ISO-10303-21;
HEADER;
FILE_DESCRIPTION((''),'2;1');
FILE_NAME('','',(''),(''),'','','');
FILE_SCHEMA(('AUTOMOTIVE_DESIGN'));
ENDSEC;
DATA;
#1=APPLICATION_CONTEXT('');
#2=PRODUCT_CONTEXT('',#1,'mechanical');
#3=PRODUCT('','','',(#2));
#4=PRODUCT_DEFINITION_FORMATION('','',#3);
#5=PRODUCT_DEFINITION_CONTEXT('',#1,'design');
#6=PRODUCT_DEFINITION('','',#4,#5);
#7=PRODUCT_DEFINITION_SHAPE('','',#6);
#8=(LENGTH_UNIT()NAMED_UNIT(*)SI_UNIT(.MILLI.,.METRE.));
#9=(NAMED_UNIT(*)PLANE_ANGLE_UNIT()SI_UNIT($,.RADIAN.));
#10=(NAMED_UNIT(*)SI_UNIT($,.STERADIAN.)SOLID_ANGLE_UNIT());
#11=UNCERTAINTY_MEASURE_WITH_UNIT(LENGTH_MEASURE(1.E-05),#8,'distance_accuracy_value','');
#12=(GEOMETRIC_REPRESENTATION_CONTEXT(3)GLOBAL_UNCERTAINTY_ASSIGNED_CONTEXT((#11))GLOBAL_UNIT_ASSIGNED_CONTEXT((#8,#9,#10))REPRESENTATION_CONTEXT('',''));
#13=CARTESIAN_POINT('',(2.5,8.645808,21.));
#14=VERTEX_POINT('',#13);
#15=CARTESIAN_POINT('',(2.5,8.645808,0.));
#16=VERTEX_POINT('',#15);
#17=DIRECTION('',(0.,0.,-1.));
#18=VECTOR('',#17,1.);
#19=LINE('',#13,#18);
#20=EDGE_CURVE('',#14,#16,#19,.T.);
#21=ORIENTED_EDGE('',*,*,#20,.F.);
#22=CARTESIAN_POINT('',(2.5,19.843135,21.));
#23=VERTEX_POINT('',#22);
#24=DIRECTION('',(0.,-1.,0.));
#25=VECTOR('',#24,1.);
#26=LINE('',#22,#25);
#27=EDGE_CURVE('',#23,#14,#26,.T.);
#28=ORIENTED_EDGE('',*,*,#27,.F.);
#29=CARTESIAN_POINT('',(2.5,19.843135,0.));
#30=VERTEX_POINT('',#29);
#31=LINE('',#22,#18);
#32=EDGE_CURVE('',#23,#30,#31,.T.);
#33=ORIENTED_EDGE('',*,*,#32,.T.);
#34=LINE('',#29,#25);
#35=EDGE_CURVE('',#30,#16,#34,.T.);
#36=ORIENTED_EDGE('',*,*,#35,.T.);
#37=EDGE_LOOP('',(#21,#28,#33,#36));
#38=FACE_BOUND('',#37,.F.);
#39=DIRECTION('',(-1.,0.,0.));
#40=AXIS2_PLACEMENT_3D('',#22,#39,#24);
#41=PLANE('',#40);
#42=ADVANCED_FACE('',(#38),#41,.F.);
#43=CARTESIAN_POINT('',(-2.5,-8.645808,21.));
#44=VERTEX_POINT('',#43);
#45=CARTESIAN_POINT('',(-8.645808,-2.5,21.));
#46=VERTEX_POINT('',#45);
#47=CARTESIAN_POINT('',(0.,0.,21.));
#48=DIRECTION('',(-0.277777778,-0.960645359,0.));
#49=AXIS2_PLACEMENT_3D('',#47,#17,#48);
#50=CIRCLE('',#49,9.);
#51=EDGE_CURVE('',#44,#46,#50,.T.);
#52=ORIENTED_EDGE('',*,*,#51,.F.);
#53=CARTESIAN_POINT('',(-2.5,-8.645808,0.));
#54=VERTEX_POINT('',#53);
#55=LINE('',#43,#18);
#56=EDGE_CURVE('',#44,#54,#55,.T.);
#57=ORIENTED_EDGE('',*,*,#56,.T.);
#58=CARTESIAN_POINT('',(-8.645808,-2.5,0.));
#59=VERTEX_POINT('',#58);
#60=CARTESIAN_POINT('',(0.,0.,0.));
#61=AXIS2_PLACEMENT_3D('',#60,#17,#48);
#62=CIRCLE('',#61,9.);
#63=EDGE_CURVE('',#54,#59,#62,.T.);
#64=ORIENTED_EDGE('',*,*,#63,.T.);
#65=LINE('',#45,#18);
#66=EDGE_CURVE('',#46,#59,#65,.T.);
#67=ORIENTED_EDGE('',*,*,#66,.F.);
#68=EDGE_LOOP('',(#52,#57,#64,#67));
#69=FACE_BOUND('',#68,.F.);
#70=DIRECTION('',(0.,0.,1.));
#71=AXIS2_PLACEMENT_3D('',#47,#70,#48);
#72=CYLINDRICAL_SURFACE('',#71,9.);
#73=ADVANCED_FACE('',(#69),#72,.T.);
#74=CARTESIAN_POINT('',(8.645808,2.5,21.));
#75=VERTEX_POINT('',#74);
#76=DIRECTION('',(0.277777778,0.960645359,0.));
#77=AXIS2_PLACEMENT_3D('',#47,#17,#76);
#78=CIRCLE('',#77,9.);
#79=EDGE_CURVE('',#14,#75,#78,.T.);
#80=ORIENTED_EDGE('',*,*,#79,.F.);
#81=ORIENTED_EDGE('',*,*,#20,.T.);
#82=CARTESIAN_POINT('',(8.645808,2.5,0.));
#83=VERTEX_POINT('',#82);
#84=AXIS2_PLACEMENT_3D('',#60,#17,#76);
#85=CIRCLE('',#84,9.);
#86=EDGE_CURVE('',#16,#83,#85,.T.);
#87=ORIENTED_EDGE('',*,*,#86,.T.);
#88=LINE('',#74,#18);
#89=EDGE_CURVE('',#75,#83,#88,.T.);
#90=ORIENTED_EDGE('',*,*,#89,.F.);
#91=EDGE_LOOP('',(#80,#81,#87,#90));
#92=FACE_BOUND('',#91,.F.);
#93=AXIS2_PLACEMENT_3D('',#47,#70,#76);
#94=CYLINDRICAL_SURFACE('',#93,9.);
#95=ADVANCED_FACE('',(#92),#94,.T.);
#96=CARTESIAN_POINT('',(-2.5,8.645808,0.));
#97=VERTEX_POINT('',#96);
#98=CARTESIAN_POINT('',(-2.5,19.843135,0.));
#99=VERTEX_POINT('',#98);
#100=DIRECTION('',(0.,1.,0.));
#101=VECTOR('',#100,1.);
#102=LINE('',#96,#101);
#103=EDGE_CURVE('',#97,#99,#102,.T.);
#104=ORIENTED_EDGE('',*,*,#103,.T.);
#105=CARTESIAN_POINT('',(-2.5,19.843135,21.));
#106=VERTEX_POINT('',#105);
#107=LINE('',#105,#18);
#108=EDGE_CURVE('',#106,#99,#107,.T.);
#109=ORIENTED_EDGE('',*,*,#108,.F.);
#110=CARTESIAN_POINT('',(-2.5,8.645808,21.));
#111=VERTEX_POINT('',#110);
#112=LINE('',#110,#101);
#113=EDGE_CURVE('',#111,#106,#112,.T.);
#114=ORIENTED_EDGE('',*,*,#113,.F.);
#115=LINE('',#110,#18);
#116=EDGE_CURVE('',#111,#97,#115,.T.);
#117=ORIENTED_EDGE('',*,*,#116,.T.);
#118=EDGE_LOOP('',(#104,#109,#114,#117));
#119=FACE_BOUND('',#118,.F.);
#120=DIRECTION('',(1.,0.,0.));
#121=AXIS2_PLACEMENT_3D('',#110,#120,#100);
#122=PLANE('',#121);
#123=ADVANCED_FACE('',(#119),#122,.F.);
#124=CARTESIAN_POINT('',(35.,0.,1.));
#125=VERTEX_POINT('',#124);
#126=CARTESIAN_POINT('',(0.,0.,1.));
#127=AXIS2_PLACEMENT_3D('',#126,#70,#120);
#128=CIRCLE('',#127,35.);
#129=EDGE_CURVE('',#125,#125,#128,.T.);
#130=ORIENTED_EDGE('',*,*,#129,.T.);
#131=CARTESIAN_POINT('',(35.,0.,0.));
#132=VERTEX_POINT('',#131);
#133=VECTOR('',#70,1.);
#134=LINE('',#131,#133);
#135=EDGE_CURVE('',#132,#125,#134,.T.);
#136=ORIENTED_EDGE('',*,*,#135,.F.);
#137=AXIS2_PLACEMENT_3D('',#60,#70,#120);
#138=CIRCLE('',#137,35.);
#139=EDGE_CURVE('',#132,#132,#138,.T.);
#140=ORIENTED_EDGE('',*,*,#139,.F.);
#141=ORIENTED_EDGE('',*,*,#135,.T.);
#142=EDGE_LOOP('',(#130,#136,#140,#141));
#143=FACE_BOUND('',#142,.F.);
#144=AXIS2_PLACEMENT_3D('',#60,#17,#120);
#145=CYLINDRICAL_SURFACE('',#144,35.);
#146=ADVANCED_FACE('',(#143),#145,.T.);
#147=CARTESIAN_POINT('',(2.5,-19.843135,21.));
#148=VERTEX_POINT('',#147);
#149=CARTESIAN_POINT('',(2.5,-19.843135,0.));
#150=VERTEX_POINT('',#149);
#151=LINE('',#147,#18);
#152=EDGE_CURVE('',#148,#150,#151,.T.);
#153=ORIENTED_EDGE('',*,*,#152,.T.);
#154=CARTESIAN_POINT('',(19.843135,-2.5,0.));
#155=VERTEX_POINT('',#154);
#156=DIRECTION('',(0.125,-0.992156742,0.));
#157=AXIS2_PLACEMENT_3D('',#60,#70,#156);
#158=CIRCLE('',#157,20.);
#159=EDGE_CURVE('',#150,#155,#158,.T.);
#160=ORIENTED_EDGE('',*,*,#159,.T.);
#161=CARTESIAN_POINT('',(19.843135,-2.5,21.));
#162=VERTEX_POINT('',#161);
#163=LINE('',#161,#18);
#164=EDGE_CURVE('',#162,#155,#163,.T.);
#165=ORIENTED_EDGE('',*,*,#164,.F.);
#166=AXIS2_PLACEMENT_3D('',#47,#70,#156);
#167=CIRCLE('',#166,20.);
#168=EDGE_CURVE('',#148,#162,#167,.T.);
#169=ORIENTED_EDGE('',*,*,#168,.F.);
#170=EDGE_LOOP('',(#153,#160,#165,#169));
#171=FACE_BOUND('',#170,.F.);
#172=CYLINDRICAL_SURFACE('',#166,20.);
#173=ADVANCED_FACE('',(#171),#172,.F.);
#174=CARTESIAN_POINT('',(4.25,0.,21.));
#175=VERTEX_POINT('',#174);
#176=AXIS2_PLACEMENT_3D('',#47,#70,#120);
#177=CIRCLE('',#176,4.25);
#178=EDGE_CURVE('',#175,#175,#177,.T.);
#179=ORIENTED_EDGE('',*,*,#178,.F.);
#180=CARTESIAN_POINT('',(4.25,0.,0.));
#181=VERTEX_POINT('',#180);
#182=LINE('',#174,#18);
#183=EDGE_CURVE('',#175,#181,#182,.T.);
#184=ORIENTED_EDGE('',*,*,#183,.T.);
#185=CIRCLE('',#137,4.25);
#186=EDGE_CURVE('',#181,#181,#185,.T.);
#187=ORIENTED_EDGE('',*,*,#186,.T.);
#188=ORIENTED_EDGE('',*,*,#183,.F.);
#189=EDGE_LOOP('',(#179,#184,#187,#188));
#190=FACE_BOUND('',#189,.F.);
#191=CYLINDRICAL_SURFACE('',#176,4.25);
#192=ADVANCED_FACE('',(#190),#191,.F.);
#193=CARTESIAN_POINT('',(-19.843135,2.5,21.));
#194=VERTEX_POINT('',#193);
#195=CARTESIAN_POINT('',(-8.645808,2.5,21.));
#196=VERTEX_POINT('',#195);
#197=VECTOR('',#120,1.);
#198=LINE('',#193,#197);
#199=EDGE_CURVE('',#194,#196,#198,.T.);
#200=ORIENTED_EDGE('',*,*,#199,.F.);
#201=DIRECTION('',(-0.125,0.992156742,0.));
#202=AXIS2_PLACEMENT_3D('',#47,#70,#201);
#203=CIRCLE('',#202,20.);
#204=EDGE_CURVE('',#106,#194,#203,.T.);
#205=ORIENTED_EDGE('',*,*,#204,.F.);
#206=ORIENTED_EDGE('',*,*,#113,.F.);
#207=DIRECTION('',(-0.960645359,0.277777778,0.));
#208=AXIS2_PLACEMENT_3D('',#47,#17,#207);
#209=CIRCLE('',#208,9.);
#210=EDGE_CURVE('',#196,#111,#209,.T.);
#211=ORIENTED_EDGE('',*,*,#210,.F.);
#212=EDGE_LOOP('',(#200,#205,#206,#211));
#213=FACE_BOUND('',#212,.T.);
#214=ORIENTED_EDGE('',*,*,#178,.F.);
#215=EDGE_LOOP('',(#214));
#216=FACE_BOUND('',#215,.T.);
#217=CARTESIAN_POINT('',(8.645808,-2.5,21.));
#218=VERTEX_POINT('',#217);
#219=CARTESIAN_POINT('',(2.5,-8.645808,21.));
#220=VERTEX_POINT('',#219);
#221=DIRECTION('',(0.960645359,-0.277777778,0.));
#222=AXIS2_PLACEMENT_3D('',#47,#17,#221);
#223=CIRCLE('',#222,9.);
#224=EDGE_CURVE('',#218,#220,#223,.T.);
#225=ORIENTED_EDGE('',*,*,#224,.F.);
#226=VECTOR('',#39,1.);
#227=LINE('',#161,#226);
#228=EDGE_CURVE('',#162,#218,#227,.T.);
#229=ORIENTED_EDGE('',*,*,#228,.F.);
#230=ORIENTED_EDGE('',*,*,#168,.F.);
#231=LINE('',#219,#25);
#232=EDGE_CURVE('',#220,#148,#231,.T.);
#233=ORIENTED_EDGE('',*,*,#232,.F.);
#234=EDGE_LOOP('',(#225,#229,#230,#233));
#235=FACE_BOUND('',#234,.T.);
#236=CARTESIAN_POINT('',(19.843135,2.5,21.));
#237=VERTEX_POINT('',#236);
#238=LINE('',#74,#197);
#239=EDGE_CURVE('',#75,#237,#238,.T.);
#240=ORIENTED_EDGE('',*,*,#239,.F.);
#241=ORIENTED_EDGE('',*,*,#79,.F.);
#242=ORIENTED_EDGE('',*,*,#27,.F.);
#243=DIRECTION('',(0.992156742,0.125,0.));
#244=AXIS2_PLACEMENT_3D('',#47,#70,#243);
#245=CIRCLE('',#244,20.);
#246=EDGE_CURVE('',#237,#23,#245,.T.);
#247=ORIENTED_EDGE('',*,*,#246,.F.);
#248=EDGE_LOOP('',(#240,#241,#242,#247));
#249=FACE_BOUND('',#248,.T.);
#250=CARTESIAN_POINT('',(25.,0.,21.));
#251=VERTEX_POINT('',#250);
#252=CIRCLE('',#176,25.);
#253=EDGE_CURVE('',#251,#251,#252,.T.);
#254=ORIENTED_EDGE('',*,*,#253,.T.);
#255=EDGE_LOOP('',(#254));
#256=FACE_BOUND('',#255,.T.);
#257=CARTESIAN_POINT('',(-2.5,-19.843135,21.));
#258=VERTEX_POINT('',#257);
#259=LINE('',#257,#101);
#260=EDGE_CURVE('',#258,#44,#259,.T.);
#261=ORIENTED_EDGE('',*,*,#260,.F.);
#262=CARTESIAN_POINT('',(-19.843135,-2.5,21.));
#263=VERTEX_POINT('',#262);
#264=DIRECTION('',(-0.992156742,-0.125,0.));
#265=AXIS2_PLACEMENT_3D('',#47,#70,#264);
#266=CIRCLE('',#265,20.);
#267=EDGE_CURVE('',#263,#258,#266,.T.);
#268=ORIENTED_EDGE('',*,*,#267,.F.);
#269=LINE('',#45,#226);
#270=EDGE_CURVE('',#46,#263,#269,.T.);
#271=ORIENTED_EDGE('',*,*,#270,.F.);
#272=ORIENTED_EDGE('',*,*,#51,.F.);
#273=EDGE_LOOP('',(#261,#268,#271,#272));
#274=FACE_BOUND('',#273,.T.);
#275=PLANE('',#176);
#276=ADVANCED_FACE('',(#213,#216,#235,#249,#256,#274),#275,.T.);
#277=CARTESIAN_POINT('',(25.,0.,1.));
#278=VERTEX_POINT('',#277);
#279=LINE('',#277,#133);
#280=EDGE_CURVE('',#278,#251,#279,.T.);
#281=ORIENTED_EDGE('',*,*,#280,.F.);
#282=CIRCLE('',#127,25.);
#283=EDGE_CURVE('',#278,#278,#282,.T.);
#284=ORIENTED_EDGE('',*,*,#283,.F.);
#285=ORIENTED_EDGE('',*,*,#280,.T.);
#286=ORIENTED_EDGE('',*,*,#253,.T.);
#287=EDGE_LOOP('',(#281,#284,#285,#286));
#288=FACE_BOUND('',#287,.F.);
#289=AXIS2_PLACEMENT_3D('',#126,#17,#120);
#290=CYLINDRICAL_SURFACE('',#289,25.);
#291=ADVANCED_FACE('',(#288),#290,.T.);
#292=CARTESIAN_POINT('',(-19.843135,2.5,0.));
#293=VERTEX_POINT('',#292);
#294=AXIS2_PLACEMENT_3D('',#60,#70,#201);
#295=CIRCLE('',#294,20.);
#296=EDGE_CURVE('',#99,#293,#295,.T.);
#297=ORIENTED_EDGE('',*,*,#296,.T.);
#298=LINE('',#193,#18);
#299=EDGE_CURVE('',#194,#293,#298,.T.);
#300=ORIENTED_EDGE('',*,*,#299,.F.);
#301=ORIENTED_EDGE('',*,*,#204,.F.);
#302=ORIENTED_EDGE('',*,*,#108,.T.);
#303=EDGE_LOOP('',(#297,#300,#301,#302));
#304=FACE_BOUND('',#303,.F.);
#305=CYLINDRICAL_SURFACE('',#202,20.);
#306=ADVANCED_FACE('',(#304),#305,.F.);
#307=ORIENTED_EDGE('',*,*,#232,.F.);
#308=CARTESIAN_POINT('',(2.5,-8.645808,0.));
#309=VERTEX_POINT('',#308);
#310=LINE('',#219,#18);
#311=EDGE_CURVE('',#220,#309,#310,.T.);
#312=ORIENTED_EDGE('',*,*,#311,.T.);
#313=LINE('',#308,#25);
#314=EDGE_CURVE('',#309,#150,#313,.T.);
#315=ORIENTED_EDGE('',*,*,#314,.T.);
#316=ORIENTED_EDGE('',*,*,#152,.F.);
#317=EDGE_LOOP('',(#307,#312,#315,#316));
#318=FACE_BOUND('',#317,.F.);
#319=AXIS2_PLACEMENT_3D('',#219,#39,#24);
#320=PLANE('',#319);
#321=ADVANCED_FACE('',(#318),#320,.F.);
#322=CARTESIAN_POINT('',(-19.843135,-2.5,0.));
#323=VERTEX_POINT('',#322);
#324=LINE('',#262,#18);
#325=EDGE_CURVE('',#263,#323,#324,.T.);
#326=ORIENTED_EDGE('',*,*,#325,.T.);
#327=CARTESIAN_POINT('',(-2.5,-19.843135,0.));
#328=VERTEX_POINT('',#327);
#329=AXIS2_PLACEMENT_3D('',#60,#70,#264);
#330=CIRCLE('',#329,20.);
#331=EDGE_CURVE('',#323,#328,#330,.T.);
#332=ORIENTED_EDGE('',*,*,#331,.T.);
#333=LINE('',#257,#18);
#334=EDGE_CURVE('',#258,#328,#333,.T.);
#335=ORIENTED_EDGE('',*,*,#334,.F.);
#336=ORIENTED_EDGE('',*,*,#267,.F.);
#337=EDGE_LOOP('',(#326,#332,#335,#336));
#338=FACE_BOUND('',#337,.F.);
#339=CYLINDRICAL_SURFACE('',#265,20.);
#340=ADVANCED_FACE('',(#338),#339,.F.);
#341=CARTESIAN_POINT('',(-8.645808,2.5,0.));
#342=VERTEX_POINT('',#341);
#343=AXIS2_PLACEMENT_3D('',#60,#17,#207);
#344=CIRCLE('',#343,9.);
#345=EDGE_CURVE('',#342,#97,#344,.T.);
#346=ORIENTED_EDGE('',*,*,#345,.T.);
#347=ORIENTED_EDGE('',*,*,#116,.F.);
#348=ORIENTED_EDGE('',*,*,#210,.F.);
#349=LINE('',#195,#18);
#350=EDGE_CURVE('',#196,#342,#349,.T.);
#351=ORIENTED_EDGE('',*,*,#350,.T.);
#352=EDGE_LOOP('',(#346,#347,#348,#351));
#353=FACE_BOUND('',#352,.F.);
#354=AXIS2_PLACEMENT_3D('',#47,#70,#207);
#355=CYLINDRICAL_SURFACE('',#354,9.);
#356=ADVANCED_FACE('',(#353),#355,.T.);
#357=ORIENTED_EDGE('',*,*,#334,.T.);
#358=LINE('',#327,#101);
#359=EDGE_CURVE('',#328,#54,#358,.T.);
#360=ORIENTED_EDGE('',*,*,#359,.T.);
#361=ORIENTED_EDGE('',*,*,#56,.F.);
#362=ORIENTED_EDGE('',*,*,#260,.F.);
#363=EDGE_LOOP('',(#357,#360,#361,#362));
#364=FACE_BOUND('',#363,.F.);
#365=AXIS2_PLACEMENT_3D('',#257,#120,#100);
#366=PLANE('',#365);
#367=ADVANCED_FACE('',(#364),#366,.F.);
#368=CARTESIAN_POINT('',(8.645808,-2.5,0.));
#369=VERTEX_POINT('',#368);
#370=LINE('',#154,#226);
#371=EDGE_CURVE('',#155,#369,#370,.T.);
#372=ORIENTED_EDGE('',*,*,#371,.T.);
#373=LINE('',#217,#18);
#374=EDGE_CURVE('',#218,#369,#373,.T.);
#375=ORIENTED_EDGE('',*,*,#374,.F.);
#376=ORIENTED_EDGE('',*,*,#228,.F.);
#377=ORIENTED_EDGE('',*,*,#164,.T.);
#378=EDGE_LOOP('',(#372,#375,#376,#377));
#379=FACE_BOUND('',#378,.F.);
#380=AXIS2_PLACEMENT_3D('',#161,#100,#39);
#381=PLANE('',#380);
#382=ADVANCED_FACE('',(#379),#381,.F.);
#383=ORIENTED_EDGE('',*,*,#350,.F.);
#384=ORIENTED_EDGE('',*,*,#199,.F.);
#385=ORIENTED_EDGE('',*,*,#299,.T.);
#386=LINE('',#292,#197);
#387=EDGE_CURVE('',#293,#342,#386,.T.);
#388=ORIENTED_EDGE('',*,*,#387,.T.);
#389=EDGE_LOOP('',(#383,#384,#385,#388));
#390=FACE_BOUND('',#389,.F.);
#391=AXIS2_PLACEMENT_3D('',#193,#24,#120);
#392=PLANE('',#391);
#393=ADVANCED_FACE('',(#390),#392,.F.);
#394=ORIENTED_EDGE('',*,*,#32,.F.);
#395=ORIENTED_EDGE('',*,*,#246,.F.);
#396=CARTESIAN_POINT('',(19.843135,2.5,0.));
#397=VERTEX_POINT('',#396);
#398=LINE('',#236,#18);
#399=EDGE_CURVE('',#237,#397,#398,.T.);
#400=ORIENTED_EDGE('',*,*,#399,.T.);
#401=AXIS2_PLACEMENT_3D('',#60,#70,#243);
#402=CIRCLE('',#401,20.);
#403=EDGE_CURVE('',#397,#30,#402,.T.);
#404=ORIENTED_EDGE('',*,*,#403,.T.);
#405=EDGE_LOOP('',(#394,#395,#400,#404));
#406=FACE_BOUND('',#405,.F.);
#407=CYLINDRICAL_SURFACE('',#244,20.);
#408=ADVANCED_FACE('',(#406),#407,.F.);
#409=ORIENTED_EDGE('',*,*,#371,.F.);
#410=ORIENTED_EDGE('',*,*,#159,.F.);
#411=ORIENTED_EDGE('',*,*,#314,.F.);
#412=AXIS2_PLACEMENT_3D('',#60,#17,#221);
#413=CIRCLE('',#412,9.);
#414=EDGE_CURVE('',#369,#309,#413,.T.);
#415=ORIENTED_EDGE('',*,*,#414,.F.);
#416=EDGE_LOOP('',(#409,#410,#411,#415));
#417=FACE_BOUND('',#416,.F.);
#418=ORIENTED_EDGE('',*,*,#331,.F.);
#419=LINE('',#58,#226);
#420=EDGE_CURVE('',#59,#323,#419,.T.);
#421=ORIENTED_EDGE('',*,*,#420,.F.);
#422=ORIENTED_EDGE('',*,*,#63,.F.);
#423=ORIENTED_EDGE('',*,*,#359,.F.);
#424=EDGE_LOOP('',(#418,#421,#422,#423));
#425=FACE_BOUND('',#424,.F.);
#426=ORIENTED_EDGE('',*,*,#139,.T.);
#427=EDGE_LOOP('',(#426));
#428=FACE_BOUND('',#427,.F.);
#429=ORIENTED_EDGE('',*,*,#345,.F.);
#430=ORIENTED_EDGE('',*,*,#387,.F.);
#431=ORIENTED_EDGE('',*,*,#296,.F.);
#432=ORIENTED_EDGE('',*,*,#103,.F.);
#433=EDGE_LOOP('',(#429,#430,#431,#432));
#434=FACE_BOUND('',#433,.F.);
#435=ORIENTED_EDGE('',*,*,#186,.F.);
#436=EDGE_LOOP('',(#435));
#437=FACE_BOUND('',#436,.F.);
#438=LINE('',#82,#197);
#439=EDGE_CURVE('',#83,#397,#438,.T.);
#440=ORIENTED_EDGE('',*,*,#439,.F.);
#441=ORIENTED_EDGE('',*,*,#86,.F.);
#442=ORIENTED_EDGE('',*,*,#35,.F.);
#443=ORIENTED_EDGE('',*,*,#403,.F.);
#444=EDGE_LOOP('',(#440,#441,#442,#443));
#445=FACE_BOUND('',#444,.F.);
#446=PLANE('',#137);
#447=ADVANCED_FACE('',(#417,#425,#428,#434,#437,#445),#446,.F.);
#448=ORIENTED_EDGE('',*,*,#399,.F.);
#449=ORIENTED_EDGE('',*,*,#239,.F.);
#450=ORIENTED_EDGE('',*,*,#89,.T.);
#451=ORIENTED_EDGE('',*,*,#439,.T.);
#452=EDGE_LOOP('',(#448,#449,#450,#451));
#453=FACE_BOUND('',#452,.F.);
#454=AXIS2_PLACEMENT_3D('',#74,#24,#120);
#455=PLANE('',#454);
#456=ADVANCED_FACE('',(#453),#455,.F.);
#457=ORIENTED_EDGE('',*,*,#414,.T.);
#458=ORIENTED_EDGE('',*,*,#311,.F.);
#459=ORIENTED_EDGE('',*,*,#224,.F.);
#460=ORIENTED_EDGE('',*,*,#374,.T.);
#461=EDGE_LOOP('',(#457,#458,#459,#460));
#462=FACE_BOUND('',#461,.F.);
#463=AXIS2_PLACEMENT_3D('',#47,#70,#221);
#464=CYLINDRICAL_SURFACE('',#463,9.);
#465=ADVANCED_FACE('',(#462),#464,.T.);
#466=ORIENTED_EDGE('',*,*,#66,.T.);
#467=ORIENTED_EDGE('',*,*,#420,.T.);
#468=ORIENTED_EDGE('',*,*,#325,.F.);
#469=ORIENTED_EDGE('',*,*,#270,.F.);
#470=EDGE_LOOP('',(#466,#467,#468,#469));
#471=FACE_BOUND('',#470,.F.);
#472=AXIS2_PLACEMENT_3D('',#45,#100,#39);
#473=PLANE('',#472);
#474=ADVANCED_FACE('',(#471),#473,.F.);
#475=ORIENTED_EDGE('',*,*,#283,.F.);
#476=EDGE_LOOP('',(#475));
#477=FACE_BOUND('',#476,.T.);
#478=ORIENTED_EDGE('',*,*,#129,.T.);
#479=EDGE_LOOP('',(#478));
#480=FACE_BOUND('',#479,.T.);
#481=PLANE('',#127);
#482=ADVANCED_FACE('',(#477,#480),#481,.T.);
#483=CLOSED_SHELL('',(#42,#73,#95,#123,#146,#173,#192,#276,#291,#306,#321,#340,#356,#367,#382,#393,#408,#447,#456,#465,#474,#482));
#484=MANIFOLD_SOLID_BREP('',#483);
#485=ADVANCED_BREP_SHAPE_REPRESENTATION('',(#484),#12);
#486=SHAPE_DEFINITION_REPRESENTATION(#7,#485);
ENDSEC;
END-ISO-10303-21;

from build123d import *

# Parameters (mm, degrees)
F0_R     = 35
F1_DEPTH = 1
F2_R     = 25
F3_DEPTH = 20
F4_R     = 4.25
F5_DEPTH = 21


with BuildPart() as f1:
    # F0 (on Top) → F1 (new body)
    with BuildSketch(Plane.XY):
        Circle(F0_R)
    extrude(amount=F1_DEPTH)

    # F2 (on face) → F3 (join)
    with BuildSketch(Plane.XY.offset(1)):
        Circle(F2_R)
    extrude(amount=F3_DEPTH)

    # F4 (on face) → F5 (cut, through all)
    with BuildSketch(Plane.XY.offset(21)):
        with BuildLine():
            ThreePointArc((-19.843134833, -2.5), (-14.1421356237, -14.1421356237), (-2.5, -19.843134833))
            Line((-2.5, -19.843134833), (-2.5, -8.6458082329))
            ThreePointArc((-2.5, -8.6458082329), (-6.3639610307, -6.3639610307), (-8.6458082329, -2.5))
            Line((-8.6458082329, -2.5), (-19.843134833, -2.5))
        make_face()
        with BuildLine():
            Line((-2.5, 8.6458082329), (-2.5, 19.843134833))
            ThreePointArc((-2.5, 19.843134833), (-14.1421356237, 14.1421356237), (-19.843134833, 2.5))
            Line((-19.843134833, 2.5), (-8.6458082329, 2.5))
            ThreePointArc((-8.6458082329, 2.5), (-6.3639610307, 6.3639610307), (-2.5, 8.6458082329))
        make_face()
        with BuildLine():
            Line((8.6458082329, 2.5), (19.843134833, 2.5))
            ThreePointArc((19.843134833, 2.5), (14.1421356237, 14.1421356237), (2.5, 19.843134833))
            Line((2.5, 19.843134833), (2.5, 8.6458082329))
            ThreePointArc((2.5, 8.6458082329), (6.3639610307, 6.3639610307), (8.6458082329, 2.5))
        make_face()
        with BuildLine():
            ThreePointArc((2.5, -19.843134833), (14.1421356237, -14.1421356237), (19.843134833, -2.5))
            Line((19.843134833, -2.5), (8.6458082329, -2.5))
            ThreePointArc((8.6458082329, -2.5), (6.3639610307, -6.3639610307), (2.5, -8.6458082329))
            Line((2.5, -8.6458082329), (2.5, -19.843134833))
        make_face()
        Circle(F4_R)
    extrude(amount=-F5_DEPTH, mode=Mode.SUBTRACT)


solid = f1.part
